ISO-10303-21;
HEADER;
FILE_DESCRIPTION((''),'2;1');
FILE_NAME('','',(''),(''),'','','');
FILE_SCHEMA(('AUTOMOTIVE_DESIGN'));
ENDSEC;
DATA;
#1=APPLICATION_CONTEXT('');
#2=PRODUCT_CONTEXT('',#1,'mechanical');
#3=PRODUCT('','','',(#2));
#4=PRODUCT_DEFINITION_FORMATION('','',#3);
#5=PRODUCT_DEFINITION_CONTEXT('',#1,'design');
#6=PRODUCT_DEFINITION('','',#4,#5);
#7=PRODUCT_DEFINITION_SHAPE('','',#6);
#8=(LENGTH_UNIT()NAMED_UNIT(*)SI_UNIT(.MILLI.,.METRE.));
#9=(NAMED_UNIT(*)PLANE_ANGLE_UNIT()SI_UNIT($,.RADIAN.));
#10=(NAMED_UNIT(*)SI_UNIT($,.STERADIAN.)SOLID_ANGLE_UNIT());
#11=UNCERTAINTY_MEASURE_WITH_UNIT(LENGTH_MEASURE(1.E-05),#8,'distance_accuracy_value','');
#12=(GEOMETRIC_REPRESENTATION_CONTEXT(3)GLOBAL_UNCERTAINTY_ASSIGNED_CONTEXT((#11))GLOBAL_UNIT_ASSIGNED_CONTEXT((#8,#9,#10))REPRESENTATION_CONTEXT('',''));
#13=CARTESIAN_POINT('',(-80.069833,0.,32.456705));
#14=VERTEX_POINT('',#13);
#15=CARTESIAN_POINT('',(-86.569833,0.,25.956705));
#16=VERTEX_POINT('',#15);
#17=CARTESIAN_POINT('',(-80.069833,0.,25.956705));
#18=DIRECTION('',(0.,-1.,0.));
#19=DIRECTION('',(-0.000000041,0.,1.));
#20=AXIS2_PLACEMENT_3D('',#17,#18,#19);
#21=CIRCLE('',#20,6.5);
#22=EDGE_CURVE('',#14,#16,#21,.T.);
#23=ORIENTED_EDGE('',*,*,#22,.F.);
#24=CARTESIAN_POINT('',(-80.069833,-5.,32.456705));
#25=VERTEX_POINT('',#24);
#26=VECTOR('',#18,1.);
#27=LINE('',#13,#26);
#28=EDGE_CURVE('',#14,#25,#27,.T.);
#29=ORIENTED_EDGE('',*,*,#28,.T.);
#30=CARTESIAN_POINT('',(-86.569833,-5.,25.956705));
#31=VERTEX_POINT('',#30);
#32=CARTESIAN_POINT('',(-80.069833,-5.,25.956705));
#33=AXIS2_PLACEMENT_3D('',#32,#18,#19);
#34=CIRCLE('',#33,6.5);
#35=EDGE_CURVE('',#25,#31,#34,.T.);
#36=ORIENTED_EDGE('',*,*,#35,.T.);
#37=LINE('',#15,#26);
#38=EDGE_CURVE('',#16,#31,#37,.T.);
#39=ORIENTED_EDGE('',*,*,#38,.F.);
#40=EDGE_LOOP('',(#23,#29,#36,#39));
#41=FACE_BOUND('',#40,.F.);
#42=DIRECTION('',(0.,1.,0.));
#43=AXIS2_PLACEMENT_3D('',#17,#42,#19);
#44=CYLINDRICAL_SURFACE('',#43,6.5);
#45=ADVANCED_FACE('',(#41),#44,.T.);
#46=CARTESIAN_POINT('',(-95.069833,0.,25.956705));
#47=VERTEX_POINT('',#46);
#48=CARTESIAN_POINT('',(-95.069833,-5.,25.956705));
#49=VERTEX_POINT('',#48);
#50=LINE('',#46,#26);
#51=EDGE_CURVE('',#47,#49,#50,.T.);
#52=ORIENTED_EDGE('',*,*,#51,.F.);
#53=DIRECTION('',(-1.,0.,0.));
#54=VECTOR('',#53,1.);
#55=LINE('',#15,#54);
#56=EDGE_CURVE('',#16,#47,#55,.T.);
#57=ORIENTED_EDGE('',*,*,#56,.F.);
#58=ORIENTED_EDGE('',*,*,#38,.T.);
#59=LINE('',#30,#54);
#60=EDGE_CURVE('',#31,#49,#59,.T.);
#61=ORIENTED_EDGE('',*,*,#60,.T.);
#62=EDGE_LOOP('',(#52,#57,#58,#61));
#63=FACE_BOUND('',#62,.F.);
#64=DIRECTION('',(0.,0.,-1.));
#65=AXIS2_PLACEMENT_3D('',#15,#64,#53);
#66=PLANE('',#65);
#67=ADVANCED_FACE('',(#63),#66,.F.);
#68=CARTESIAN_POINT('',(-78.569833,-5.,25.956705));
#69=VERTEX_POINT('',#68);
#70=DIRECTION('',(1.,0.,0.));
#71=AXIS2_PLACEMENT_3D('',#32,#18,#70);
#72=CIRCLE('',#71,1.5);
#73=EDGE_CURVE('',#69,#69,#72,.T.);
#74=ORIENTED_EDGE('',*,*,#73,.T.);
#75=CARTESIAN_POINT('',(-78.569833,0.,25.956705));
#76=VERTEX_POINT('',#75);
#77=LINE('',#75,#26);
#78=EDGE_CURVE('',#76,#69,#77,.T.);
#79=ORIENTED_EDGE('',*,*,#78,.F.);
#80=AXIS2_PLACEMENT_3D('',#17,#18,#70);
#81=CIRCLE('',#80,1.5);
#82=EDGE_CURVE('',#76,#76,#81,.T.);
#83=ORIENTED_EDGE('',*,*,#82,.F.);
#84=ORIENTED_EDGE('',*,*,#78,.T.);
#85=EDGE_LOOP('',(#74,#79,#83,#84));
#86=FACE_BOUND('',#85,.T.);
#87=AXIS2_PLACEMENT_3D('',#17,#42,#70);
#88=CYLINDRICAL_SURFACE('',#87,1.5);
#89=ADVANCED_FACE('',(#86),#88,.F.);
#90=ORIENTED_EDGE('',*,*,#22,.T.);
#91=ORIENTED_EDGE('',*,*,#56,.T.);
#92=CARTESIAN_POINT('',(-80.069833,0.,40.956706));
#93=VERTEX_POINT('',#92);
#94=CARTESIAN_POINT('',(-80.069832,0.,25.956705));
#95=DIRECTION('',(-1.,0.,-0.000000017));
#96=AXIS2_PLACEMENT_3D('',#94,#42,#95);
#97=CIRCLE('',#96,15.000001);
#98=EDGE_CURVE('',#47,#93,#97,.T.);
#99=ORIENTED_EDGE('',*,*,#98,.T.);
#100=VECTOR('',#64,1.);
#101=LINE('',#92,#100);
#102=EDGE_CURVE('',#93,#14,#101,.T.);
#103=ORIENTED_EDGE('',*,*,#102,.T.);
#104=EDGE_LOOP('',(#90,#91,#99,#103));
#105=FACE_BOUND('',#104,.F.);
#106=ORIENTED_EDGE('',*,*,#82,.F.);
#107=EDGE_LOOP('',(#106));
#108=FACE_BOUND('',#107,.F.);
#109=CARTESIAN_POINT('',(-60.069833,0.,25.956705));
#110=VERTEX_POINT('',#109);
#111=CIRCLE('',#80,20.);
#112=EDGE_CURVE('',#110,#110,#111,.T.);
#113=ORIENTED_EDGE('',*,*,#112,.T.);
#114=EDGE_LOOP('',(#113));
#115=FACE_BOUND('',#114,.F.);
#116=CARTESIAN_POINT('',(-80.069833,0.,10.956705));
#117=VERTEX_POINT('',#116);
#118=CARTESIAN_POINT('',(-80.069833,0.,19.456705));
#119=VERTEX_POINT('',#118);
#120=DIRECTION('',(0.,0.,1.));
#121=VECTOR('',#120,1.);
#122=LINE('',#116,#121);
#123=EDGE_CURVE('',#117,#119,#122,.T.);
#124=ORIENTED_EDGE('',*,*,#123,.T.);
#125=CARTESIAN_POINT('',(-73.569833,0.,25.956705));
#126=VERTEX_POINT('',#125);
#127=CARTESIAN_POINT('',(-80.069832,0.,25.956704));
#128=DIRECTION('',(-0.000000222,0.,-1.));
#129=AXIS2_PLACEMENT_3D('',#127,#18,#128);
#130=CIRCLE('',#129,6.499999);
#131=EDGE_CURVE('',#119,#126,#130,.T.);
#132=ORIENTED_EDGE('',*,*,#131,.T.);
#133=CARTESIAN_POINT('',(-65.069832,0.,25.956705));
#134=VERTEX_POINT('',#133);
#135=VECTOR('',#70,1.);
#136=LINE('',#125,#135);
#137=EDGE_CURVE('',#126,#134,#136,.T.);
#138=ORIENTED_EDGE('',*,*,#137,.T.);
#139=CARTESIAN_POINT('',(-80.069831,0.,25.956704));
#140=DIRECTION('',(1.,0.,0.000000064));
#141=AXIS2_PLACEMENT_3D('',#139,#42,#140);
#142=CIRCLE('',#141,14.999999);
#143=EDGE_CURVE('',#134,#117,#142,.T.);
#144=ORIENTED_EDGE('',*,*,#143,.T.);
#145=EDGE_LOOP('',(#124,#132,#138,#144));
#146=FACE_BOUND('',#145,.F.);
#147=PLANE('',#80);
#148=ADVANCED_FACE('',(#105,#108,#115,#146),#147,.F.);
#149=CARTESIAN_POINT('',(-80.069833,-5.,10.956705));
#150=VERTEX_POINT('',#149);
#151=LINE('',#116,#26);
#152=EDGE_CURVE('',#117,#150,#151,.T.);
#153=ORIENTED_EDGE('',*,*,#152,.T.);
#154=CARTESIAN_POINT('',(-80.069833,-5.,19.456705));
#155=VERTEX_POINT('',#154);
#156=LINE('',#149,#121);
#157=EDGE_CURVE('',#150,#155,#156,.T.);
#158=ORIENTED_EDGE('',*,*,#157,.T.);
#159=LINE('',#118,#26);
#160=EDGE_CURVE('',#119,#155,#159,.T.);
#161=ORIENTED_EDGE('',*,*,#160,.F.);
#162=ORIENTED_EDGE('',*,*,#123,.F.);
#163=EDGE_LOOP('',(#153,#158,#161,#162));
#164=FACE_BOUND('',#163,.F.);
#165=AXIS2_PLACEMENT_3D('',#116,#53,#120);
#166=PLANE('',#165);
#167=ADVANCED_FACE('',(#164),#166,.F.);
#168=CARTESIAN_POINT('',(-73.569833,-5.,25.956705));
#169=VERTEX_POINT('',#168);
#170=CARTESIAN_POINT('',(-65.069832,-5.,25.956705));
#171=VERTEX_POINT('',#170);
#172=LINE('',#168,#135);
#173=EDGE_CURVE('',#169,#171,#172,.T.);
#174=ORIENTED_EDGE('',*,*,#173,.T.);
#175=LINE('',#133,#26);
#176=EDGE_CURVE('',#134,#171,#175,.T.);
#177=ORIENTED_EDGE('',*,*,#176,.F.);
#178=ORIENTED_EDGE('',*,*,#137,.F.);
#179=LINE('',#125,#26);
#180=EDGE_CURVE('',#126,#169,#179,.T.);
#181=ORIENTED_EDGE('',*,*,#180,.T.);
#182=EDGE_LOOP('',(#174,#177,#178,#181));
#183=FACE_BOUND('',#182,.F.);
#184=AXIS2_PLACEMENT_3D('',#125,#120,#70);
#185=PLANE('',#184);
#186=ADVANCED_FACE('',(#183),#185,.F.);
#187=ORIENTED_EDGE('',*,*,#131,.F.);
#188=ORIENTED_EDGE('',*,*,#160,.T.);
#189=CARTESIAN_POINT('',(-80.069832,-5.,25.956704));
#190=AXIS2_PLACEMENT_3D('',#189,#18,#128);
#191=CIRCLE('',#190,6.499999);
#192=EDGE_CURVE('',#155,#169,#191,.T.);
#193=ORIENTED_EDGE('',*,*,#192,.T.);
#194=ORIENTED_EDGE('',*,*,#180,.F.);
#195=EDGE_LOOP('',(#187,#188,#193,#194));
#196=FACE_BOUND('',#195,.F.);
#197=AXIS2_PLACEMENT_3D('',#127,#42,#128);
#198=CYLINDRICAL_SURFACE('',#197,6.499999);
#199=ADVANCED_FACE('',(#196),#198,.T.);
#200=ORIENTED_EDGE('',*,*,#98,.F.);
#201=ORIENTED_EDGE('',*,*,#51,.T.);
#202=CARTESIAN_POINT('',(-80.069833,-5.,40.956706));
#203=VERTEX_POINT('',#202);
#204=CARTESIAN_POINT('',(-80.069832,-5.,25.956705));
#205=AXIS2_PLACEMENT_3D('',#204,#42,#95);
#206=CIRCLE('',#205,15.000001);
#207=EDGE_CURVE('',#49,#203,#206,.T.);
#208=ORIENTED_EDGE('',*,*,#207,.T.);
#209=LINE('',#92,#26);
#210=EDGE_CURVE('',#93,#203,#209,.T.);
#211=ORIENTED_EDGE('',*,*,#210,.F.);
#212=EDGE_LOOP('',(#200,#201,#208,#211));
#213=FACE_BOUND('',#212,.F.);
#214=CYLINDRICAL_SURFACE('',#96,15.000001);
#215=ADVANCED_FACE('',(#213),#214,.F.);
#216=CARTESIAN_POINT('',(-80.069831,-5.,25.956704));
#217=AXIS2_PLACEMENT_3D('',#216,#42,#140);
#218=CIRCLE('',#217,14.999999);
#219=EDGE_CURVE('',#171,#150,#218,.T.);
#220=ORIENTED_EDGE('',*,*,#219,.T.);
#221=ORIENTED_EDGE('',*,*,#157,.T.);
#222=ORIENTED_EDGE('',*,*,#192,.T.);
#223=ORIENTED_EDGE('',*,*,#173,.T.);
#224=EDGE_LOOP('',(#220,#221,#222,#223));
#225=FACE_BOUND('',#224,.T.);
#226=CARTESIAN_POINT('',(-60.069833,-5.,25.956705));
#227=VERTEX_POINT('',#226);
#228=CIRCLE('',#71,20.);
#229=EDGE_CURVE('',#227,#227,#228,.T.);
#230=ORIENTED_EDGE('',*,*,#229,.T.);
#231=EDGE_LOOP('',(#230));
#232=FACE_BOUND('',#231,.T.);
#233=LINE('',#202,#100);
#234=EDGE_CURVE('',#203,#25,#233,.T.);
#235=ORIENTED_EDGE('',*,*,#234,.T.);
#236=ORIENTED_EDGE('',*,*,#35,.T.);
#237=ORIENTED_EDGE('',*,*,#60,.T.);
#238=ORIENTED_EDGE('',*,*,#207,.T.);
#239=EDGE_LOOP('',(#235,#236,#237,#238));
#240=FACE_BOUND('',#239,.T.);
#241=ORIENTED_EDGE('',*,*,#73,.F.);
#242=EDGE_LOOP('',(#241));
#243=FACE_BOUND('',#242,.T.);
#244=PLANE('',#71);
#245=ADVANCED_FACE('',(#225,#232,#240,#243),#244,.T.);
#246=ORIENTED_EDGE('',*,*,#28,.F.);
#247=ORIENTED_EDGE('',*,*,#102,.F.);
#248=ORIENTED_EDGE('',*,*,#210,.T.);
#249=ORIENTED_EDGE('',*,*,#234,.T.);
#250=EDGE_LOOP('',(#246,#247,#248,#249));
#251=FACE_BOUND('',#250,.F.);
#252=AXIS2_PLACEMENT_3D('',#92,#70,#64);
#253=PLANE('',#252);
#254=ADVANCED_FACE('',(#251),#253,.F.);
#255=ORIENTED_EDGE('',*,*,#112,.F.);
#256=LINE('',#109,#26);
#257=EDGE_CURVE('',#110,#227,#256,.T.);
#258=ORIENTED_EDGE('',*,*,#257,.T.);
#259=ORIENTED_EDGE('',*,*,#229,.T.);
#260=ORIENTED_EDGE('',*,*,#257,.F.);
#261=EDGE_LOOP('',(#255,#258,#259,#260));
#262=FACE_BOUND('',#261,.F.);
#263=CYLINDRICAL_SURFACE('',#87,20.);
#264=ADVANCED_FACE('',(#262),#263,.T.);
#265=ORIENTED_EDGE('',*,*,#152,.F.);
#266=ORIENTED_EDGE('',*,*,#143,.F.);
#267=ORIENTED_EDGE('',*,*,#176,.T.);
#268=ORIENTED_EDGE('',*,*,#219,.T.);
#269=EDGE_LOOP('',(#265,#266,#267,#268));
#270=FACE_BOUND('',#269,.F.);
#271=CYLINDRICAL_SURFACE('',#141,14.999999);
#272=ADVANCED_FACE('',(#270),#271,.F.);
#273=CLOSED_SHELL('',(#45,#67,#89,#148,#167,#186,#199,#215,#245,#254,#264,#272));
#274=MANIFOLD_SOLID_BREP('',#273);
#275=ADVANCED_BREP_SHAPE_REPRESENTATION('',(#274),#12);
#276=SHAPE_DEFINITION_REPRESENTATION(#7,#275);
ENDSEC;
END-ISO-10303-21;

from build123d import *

# Parameters (mm, degrees)
F0_R     = 20
F0_R_2   = 1.5
F1_DEPTH = 5


with BuildPart() as f1:
    # F0 (on Front) → F1 (new body)
    with BuildSketch(Plane.XZ):
        with Locations((-80.069833, 25.956705)):
            Circle(F0_R)
        with BuildLine():
            Line((-80.069833, 10.956705), (-80.069833, 19.456705))
            ThreePointArc((-80.069833, 19.456705), (-75.473638, 21.360511), (-73.569833, 25.956705))
            Line((-73.569833, 25.956705), (-65.069832, 25.956705))
            ThreePointArc((-65.069832, 25.956705), (-69.46323, 15.350103), (-80.069833, 10.956705))
        make_face(mode=Mode.SUBTRACT)
        with BuildLine():
            Line((-80.069833, 40.956706), (-80.069833, 32.456705))
            ThreePointArc((-80.069833, 32.456705), (-84.666027, 30.552899), (-86.569833, 25.956705))
            Line((-86.569833, 25.956705), (-95.069833, 25.956705))
            ThreePointArc((-95.069833, 25.956705), (-90.676435, 36.563307), (-80.069833, 40.956706))
        make_face(mode=Mode.SUBTRACT)
        with Locations((-80.069833, 25.956705)):
            Circle(F0_R_2, mode=Mode.SUBTRACT)
    extrude(amount=F1_DEPTH)


solid = f1.part
